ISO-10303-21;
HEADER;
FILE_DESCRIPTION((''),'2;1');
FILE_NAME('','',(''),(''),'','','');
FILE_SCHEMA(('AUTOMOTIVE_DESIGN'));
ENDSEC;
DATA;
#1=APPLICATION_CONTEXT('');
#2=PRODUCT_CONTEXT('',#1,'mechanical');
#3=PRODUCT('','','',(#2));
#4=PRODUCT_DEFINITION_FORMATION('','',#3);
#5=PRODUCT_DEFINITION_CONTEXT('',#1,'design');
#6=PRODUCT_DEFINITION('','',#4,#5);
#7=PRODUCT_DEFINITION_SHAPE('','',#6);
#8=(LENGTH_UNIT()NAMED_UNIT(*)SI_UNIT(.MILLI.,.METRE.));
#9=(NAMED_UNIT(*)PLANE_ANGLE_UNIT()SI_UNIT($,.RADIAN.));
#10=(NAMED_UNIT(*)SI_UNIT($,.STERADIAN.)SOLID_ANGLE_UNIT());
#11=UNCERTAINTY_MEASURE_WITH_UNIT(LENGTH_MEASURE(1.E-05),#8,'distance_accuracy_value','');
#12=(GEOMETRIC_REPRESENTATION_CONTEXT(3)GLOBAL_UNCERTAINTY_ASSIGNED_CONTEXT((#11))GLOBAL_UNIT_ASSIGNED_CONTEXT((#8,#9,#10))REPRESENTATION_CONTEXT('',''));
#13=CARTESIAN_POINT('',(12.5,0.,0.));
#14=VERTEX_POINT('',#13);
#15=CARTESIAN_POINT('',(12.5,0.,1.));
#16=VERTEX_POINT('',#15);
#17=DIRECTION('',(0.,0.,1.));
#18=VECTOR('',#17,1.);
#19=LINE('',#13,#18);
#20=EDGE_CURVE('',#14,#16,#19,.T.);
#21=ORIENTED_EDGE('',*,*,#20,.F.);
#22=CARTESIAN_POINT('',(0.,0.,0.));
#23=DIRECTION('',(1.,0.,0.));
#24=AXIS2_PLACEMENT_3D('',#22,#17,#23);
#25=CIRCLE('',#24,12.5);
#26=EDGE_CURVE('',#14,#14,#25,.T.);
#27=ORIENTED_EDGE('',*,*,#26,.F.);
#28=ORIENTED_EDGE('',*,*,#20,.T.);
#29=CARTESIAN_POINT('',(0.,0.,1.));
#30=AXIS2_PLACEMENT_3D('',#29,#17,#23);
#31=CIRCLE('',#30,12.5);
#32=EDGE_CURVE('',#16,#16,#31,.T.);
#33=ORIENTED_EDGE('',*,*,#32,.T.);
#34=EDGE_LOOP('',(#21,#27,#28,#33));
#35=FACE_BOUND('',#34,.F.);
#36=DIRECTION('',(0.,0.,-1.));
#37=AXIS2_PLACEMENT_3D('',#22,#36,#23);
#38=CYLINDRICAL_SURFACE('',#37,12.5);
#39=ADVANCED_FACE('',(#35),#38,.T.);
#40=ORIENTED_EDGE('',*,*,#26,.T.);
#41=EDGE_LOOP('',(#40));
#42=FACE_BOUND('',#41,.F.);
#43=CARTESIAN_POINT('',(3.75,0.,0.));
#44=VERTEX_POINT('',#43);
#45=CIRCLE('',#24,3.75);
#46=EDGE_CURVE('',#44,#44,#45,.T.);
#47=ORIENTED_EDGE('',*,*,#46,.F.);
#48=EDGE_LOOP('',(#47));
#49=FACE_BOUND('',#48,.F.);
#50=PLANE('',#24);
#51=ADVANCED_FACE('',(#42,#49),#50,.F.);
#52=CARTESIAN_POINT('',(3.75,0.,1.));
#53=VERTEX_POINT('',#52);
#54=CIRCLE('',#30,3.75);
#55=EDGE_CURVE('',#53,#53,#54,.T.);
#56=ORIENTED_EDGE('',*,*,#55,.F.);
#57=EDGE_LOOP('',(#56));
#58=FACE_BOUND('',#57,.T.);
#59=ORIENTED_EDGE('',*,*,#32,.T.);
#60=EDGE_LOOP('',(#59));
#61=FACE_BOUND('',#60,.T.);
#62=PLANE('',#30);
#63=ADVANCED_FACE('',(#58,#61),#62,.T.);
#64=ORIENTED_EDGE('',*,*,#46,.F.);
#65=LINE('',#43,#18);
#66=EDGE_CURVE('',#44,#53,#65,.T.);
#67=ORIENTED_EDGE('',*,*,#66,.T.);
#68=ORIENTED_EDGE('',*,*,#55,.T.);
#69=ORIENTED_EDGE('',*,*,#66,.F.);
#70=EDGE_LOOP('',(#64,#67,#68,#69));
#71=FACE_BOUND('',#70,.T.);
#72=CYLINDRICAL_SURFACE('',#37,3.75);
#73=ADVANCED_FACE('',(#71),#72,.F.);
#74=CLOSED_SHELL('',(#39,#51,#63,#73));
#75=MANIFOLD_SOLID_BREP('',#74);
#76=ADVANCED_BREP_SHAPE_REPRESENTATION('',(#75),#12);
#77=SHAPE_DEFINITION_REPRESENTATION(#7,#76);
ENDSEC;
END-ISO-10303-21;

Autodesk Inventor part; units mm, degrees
ref_plane "YZ Plane" through (0, 0, 0) normal (1, 0, 0) x (0, 1, 0)
ref_plane "XZ Plane" through (0, 0, 0) normal (0, 1, 0) x (-1, 0, 0)
ref_plane "XY Plane" through (0, 0, 0) normal (0, 0, 1) x (1, 0, 0)
sketch "Sketch1" plane through (0, 0, 0) normal (0, 0, 1) x (1, 0, 0)
  circle A0 centre (0, 0) radius 3.75
  circle A1 centre (0, 0) radius 12.5
  dimension "d0" = 25
  dimension "d1" = 7.5
extrude "Extrusion1" add sketch "Sketch1" along normal blind 1
properties part number "WasherMotor"
